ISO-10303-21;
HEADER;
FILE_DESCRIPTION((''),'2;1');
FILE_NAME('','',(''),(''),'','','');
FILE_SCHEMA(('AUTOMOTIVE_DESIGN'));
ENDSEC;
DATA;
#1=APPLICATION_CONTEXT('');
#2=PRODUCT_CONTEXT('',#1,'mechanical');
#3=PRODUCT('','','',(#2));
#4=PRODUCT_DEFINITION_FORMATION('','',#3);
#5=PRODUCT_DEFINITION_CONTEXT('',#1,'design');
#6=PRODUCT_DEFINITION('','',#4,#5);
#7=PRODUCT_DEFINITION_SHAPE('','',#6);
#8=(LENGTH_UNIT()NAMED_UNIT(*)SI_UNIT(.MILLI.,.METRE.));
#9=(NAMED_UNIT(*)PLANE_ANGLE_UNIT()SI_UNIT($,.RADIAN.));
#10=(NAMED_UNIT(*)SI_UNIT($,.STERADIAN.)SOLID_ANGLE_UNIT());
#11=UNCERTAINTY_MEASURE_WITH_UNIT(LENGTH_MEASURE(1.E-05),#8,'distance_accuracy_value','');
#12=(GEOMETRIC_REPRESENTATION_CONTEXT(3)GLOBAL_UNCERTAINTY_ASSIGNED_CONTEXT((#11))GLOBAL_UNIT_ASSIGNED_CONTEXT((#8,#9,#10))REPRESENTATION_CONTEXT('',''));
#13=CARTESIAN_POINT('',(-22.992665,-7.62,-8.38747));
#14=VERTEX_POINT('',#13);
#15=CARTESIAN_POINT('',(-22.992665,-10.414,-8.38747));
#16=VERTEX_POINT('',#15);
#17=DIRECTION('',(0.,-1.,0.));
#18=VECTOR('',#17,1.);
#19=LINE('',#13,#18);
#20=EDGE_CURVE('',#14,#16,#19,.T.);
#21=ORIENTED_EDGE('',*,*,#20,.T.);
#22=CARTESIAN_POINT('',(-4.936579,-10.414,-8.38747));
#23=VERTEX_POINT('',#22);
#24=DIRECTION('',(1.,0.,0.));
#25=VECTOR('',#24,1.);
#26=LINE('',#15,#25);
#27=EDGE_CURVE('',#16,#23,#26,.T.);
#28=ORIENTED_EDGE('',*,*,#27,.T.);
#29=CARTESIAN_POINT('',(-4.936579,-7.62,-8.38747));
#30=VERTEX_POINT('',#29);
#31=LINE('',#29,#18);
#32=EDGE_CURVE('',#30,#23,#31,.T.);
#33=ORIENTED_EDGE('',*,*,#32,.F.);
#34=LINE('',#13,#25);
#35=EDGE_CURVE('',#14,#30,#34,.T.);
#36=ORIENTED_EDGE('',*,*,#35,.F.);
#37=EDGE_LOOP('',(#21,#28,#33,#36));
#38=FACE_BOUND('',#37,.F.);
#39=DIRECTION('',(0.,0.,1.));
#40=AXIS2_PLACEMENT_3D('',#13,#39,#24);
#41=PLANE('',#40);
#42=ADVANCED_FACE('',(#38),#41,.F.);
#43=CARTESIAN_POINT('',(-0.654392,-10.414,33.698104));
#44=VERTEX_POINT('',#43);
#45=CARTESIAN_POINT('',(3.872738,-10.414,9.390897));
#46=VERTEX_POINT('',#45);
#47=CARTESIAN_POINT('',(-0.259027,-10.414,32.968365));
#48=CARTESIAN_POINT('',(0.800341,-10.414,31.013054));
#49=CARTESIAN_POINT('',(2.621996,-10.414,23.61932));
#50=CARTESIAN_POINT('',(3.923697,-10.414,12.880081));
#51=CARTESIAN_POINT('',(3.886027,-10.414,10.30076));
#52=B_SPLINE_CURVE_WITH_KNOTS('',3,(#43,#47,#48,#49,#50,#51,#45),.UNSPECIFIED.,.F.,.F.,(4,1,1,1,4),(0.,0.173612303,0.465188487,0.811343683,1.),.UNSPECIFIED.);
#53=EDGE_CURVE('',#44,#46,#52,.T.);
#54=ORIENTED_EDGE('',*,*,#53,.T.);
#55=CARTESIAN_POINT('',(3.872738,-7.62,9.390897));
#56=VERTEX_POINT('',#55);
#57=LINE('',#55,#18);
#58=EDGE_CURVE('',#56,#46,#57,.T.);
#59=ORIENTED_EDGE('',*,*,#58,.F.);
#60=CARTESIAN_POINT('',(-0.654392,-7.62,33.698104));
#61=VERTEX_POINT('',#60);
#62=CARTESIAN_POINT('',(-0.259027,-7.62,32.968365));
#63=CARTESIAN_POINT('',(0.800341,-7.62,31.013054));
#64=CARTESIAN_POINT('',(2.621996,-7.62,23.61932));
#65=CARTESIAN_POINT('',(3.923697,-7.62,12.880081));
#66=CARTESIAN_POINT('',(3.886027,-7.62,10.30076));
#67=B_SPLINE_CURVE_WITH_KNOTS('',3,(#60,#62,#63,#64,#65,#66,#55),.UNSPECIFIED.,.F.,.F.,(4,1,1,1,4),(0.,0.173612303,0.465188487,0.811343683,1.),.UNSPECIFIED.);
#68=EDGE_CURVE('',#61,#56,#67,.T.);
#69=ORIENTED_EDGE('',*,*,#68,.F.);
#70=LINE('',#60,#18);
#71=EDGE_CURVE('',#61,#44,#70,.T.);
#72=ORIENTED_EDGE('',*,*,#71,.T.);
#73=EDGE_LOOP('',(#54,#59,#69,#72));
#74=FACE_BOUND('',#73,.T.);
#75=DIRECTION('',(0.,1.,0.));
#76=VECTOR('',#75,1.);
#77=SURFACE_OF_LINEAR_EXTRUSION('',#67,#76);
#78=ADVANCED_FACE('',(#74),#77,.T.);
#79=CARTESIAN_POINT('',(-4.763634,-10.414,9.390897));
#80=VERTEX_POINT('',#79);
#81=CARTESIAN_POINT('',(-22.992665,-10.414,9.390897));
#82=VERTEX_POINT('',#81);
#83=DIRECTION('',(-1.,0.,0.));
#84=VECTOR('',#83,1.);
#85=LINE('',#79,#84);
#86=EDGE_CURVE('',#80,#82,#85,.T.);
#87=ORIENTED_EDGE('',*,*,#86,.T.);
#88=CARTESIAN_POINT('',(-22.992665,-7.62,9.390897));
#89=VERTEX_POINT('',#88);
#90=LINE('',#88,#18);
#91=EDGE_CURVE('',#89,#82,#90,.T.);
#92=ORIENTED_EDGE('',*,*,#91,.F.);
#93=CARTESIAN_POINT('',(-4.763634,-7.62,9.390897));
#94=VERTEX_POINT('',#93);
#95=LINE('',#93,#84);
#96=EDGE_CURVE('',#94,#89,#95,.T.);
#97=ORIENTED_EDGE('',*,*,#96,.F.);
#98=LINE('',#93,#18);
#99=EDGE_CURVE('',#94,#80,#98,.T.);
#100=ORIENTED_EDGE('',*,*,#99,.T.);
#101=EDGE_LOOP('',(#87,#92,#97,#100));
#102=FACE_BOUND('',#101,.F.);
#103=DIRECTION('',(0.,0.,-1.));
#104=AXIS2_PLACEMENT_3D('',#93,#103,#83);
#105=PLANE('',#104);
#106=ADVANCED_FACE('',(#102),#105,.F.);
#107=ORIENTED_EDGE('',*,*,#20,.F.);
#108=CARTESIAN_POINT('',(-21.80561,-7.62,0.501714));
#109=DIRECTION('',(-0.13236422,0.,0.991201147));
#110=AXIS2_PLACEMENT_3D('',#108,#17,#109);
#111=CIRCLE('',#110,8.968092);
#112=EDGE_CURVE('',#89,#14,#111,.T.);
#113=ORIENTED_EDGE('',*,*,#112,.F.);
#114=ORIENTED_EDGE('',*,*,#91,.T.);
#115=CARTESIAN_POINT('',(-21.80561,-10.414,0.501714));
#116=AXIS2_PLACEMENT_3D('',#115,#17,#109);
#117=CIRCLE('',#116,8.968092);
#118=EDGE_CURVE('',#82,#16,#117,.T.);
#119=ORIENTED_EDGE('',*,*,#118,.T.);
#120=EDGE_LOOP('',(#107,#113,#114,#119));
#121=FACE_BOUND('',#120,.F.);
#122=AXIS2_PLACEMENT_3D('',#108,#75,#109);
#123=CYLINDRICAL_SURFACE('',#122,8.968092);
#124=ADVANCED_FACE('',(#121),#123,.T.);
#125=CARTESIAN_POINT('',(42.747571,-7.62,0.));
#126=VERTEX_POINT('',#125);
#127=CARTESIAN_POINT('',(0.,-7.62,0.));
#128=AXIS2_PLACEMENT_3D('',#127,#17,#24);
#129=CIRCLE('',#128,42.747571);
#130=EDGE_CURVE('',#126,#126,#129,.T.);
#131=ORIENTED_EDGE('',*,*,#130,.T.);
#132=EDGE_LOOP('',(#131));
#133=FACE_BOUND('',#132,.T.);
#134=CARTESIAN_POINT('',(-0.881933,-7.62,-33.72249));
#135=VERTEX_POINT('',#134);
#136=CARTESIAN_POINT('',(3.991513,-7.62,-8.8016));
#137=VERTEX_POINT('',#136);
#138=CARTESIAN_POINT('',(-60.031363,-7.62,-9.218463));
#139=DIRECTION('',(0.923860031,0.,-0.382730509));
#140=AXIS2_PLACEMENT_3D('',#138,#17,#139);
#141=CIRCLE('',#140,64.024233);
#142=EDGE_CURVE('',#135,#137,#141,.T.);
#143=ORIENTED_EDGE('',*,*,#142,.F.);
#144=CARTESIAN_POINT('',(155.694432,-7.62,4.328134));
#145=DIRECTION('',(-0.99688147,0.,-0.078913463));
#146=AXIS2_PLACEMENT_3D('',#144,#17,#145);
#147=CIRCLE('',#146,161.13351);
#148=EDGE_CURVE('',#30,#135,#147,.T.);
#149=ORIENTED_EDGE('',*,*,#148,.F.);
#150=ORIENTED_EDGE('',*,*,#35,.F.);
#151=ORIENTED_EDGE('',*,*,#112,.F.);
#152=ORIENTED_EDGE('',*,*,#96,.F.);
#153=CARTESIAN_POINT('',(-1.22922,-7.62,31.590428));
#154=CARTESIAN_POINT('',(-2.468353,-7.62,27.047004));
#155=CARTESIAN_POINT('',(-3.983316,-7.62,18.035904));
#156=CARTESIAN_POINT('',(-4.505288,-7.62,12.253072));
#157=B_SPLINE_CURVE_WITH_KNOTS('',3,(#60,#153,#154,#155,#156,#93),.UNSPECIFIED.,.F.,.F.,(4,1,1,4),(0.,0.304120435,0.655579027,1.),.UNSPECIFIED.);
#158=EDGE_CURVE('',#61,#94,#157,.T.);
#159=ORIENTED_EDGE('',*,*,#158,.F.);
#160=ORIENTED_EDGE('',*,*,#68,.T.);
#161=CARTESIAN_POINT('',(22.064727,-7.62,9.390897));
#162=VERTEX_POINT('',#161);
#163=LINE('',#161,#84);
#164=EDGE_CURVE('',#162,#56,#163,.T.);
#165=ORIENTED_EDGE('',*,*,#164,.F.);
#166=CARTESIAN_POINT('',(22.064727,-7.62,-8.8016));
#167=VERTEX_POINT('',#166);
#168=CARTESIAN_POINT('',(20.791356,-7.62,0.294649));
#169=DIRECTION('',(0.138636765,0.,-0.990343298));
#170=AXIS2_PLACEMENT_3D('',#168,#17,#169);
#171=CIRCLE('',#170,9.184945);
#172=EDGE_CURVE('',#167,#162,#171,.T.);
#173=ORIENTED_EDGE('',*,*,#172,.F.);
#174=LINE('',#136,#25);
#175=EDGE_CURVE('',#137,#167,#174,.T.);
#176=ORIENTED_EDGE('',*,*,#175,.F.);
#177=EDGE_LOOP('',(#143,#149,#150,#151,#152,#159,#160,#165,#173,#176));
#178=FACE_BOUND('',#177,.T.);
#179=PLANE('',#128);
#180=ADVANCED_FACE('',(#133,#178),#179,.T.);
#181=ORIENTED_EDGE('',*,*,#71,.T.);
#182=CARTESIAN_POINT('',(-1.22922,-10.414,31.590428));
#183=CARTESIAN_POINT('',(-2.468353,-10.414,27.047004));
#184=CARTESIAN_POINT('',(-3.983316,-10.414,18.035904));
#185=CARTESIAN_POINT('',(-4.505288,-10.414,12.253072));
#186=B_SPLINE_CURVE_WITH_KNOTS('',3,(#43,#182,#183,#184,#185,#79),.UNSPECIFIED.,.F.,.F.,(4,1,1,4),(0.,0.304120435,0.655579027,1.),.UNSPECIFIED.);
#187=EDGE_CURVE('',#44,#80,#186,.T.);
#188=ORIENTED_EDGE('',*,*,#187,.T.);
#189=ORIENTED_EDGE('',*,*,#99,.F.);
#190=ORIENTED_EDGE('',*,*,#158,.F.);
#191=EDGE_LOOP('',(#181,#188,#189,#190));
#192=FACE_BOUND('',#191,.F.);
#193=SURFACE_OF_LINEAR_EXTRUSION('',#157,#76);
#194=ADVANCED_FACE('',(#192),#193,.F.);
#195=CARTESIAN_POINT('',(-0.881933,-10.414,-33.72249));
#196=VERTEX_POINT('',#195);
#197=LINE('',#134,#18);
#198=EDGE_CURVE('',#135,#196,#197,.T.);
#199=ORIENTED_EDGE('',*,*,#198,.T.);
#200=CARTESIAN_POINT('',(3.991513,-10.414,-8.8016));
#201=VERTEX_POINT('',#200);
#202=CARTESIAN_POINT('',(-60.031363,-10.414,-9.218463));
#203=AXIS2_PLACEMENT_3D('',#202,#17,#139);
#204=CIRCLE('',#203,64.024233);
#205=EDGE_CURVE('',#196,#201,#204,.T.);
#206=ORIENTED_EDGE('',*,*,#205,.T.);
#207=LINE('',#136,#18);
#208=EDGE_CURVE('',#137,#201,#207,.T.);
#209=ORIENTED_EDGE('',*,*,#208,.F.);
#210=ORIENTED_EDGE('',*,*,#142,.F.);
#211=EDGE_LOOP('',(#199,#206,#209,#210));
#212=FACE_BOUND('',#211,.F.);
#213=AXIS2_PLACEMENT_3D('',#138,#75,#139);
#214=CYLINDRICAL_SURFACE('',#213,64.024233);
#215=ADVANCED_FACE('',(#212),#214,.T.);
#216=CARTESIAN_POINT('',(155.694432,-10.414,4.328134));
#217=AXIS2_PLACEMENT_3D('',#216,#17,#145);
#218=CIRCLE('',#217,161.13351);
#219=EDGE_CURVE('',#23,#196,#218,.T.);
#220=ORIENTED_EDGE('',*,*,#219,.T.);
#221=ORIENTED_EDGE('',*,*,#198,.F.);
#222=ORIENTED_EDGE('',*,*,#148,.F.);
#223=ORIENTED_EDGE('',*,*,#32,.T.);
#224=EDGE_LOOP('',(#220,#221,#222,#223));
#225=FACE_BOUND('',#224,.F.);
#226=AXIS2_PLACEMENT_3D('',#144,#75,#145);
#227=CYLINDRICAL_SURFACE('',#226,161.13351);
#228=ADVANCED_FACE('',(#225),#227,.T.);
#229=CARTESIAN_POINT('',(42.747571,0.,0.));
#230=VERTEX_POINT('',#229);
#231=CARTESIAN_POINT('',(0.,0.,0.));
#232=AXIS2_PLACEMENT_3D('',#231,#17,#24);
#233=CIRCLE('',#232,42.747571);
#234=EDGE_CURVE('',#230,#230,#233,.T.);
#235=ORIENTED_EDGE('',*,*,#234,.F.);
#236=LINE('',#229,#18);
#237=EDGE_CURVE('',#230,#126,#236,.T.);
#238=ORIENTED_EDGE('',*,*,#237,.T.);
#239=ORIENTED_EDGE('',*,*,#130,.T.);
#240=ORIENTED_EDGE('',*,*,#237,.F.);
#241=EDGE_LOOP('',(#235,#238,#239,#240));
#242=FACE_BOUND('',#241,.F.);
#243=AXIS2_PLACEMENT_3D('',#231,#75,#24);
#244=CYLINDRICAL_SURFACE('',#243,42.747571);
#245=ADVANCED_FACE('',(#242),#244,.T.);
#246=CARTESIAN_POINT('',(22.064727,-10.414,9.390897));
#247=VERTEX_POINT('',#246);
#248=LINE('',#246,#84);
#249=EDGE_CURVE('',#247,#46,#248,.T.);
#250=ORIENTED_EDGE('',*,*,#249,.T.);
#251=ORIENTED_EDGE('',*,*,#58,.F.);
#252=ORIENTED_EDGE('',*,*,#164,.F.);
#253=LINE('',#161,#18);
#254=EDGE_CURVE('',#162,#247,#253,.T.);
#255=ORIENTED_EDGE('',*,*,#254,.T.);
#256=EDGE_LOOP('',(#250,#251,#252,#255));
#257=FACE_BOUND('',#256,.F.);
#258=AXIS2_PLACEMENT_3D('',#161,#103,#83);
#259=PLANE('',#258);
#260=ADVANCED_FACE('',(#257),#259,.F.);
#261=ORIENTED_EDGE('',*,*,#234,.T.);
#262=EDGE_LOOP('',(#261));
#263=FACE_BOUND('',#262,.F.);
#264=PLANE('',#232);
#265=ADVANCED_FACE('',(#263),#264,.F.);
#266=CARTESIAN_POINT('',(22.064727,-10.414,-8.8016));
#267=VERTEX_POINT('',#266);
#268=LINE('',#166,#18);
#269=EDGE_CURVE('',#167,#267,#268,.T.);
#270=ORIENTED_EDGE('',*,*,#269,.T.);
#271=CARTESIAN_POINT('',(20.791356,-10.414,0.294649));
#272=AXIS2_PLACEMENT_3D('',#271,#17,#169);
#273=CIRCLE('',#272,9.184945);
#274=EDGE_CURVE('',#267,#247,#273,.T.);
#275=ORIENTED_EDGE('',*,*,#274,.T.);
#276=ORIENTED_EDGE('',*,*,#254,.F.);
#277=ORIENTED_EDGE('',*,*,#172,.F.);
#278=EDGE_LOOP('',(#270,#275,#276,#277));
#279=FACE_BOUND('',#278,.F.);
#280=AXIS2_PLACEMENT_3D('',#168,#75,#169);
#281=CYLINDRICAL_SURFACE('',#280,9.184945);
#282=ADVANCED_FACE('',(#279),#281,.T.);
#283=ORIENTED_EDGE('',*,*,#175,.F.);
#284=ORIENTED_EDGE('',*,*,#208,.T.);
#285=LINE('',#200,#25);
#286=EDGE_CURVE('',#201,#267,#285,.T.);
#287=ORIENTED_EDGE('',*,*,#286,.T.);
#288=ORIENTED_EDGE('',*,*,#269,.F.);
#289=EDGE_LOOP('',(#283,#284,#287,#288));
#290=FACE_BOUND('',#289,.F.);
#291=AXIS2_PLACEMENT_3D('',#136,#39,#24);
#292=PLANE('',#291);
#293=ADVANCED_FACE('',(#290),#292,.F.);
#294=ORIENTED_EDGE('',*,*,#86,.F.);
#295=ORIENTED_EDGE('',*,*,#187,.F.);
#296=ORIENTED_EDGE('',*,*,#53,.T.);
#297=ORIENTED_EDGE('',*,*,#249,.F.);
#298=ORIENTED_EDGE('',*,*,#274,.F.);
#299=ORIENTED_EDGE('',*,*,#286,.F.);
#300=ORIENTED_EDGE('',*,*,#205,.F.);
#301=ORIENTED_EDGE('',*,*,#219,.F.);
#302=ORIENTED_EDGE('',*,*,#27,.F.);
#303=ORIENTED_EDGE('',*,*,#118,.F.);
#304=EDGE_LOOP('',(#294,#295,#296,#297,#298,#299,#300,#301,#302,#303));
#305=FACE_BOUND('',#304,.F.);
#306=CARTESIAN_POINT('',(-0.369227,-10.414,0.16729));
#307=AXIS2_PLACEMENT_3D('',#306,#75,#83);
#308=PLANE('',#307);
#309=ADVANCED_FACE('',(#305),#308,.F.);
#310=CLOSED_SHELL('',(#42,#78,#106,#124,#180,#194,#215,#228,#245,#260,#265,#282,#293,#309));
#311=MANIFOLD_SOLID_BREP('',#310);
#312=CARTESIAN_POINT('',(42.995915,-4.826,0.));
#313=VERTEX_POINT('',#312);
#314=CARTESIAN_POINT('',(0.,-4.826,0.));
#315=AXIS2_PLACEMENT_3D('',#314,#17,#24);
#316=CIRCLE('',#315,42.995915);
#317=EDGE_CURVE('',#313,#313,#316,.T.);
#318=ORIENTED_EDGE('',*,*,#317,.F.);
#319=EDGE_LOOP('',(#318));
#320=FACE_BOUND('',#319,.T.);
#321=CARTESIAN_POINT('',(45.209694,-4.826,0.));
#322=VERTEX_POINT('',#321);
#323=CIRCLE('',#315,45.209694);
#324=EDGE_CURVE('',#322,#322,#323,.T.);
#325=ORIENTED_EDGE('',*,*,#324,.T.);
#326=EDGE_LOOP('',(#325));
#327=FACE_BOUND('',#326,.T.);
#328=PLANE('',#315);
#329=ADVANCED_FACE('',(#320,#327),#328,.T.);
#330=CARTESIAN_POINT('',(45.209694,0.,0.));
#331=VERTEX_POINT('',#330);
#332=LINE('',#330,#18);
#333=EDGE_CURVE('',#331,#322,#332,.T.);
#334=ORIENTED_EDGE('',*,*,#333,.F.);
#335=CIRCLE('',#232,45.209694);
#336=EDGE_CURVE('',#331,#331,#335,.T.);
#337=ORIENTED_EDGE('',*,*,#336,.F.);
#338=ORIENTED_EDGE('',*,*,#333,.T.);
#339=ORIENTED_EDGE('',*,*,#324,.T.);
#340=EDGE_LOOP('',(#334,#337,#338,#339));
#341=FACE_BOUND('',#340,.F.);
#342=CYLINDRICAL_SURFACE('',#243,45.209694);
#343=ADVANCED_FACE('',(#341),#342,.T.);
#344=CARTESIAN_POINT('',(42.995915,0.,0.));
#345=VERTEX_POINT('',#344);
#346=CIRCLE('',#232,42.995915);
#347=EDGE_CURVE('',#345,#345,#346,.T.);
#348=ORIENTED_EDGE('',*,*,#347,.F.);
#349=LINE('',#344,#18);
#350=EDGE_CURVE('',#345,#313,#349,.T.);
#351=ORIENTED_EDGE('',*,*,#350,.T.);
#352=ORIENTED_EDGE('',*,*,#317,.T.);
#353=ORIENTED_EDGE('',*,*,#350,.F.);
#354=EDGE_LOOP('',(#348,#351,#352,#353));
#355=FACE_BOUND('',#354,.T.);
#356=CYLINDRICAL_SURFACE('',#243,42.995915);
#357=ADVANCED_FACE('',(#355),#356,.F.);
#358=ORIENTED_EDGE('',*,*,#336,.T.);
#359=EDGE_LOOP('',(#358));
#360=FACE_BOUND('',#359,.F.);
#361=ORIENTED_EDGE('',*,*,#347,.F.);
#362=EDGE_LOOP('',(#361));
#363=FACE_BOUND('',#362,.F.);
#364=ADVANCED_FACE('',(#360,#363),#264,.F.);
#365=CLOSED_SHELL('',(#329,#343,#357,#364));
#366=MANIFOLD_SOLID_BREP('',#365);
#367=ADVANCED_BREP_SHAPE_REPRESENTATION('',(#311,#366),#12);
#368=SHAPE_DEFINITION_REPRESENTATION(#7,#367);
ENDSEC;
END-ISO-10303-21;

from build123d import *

# Parameters (mm, degrees)
F0_R     = 45.2096940333
F0_R_2   = 42.9959145062
F1_DEPTH = 4.826
F2_R     = 42.7475705769
F3_DEPTH = 7.62
F5_DEPTH = 2.794


with BuildPart() as f1:
    # F0 (on Front) → F1 (new body)
    with BuildSketch(Plane.XZ):
        Circle(F0_R)
        Circle(F0_R_2, mode=Mode.SUBTRACT)
    extrude(amount=F1_DEPTH)


with BuildPart() as f3:
    # F2 (on Front) → F3 (new body)
    with BuildSketch(Plane.XZ):
        Circle(F2_R)
    extrude(amount=F3_DEPTH)

    # F4 (on face) → F5 (join)
    with BuildSketch(Plane.XZ.offset(7.62)):
        with BuildLine():
            add(Edge.make_bspline(
                [(-0.6543919444, 33.698104322), (-0.2590268137, 32.9683653971), (0.8003411255, 31.0130538107), (2.6219964959, 23.619319648), (3.9236973733, 12.8800810427), (3.88602667, 10.3007600876), (3.8727382198, 9.3908971176)],
                knots=[0, 0, 0, 0, 0.1736123025, 0.4651884874, 0.8113436832, 1, 1, 1, 1], degree=3))
            add(Edge.make_bspline(
                [(-0.6543919444, 33.698104322), (-1.2292204105, 31.5904283328), (-2.4683528149, 27.0470040412), (-3.9833158516, 18.0359036672), (-4.5052875268, 12.2530715191), (-4.7636339441, 9.3908971176)],
                knots=[0, 0, 0, 0, 0.3041204354, 0.6555790268, 1, 1, 1, 1], degree=3))
            Line((-4.7636339441, 9.3908971176), (-22.9926649481, 9.3908971176))
            ThreePointArc((-22.9926649481, 9.3908971176), (-30.7737027326, 0.5017137155), (-22.9926649481, -8.3874696866))
            Line((-22.9926649481, -8.3874696866), (-4.9365786836, -8.3874696866))
            ThreePointArc((-4.9365786836, -8.3874696866), (-3.4143222248, -21.1358112445), (-0.8819333743, -33.7224900723))
            ThreePointArc((-0.8819333743, -33.7224900723), (2.8026793905, -21.5060781732), (3.9915125817, -8.8015999645))
            Line((3.9915125817, -8.8015999645), (22.0647267997, -8.8015999645))
            ThreePointArc((22.0647267997, -8.8015999645), (29.9763005809, 0.2946485765), (22.0647267997, 9.3908971176))
            Line((22.0647267997, 9.3908971176), (3.8727382198, 9.3908971176))
        make_face()
    extrude(amount=F5_DEPTH)


solid = Compound([f1.part, f3.part])
